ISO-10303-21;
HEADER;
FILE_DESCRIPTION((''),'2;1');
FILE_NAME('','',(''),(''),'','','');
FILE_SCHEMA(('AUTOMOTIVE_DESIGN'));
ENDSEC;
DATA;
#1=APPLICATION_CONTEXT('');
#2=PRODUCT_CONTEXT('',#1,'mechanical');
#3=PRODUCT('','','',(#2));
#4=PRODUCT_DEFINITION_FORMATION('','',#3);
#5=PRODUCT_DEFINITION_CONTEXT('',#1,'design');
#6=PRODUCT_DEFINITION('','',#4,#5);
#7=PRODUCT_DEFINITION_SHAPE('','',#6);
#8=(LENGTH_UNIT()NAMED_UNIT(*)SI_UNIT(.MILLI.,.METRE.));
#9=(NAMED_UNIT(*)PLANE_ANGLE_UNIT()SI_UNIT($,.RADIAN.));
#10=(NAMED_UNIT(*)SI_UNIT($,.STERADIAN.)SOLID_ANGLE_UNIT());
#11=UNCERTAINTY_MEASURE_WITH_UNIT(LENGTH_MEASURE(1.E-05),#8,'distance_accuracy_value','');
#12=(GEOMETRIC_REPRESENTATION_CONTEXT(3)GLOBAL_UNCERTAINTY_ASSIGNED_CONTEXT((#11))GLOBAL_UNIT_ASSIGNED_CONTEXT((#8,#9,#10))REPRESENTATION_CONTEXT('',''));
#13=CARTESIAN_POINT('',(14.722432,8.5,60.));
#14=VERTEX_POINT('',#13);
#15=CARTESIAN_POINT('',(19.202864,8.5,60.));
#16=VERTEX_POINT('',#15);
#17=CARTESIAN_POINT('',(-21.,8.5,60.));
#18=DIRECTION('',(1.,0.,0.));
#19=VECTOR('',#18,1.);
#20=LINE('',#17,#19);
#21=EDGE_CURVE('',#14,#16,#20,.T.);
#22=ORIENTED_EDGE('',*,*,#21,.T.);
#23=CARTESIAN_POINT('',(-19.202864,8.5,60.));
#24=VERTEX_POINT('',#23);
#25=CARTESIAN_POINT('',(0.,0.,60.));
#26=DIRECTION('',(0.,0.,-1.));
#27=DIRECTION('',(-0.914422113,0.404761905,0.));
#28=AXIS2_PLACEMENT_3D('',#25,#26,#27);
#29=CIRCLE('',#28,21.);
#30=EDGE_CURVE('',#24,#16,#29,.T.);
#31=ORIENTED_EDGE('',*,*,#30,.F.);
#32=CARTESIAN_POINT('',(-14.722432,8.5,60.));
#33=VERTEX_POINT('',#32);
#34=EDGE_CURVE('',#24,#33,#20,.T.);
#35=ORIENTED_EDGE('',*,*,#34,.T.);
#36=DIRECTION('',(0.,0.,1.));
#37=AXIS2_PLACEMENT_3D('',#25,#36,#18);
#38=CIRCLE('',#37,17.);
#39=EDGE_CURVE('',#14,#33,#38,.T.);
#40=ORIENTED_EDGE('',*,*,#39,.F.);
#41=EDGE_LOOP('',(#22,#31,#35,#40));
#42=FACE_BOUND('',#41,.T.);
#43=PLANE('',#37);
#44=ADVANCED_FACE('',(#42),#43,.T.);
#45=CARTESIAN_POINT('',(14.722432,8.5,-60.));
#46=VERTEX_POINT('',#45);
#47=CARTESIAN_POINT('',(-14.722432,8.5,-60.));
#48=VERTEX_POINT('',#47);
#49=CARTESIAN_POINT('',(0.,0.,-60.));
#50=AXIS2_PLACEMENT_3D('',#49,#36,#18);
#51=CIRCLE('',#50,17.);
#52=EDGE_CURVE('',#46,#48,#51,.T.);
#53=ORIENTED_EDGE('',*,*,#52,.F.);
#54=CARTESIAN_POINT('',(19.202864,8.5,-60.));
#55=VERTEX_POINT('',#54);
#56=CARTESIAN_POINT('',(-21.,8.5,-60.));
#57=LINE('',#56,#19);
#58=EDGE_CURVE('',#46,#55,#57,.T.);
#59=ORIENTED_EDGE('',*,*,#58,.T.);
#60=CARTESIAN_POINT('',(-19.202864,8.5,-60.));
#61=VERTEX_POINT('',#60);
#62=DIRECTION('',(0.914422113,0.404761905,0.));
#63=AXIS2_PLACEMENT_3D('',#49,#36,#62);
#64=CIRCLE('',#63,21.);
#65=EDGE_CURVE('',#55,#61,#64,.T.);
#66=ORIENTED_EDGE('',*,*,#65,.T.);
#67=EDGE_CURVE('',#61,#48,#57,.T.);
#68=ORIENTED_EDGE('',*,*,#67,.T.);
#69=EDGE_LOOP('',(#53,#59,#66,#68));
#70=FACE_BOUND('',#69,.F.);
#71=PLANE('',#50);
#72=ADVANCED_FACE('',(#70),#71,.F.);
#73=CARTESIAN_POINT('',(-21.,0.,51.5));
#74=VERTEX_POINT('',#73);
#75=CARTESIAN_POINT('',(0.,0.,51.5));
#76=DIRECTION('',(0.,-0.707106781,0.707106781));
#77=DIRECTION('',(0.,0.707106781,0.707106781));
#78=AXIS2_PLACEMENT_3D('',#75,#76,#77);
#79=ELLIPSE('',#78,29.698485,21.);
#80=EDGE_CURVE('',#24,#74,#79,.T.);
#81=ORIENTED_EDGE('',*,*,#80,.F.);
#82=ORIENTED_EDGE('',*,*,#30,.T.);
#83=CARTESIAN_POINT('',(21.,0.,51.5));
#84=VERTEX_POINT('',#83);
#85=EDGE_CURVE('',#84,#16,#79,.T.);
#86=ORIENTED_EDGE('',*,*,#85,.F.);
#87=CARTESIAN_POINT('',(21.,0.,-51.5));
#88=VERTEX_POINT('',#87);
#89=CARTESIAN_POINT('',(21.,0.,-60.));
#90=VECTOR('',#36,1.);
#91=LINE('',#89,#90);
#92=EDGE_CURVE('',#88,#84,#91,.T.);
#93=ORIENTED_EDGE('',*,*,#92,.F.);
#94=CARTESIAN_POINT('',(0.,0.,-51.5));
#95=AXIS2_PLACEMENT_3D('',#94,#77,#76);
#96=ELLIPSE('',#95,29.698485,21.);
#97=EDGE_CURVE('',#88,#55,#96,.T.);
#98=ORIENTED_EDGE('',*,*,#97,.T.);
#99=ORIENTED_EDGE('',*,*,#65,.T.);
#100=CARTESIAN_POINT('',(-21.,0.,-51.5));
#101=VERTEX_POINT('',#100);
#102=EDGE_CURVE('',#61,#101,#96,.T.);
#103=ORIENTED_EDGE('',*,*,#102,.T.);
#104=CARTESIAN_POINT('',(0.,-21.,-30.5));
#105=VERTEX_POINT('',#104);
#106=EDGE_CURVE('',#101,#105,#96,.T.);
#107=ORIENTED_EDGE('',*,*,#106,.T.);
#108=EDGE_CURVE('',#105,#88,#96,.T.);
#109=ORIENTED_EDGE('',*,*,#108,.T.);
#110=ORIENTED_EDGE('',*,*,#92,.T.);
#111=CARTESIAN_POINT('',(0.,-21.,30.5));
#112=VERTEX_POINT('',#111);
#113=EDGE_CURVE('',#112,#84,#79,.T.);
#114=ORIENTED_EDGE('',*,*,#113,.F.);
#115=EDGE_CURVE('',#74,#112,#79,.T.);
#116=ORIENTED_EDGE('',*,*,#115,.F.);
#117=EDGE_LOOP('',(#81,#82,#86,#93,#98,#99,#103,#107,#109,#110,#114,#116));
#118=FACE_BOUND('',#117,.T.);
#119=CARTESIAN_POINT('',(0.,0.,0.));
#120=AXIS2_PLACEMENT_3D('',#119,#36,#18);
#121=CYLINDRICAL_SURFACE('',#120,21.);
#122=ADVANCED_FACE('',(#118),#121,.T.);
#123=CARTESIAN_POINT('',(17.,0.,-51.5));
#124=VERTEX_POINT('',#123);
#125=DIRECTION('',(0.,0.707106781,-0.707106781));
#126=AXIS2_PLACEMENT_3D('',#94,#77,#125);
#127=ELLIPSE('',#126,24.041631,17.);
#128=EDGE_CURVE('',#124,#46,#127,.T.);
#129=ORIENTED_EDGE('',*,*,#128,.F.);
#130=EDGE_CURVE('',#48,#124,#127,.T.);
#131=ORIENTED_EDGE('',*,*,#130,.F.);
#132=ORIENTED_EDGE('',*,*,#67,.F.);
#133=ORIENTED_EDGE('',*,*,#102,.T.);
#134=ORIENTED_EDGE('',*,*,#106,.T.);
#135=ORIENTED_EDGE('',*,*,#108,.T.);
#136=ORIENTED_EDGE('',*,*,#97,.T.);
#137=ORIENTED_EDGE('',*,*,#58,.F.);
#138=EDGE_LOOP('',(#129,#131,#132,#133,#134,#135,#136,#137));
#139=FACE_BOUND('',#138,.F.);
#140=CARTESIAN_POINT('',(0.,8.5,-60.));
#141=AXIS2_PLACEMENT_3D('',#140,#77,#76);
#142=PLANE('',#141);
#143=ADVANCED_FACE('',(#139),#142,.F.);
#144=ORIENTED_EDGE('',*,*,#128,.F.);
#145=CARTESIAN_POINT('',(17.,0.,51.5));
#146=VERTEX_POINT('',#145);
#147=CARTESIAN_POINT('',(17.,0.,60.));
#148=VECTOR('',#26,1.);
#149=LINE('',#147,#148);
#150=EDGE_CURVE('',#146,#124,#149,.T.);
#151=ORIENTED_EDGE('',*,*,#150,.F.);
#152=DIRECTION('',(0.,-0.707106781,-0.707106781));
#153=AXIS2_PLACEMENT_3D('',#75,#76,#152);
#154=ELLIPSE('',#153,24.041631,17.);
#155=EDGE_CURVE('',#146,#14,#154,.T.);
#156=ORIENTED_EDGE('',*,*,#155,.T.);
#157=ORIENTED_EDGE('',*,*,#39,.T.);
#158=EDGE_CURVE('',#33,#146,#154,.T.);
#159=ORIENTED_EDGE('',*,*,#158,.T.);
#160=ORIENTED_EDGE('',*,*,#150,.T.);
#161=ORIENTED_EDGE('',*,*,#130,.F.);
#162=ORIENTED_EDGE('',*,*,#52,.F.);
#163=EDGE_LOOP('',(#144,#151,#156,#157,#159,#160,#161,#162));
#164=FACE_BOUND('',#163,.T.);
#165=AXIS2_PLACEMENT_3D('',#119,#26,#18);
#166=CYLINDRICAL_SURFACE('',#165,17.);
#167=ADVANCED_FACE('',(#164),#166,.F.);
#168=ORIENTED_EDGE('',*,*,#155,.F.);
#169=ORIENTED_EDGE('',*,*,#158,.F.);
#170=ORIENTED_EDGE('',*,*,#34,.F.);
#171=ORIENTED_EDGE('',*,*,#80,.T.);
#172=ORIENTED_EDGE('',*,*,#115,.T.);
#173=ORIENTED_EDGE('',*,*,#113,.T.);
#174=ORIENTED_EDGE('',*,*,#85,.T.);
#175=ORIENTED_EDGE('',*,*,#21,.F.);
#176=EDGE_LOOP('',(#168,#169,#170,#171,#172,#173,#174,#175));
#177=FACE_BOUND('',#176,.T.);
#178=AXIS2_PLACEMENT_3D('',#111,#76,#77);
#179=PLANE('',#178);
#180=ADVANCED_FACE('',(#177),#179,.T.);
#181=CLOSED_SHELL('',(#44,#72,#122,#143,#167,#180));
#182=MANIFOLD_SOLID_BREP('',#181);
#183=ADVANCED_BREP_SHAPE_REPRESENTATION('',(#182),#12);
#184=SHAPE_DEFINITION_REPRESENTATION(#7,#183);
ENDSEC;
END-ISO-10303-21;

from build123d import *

# Parameters (mm, degrees)
F0_R     = 21
F0_R_2   = 17
F1_DEPTH = 60
F3_DEPTH = 21


with BuildPart() as f1:
    # F0 (on Top) → F1 (new body, symmetric)
    with BuildSketch(Plane.XY):
        Circle(F0_R)
        Circle(F0_R_2, mode=Mode.SUBTRACT)
    extrude(amount=F1_DEPTH, both=True)

    # F2 (on Right) → F3 (cut, symmetric)
    with BuildSketch(Plane.YZ):
        Polygon((-21, 30.5), (8.5, 60), (21, 60), (21, 70), (-21, 70), align=None)
        Polygon((21, -60), (8.5, -60), (-21, -30.5), (-21, -70), (21, -70), align=None)
    extrude(amount=F3_DEPTH, both=True, mode=Mode.SUBTRACT)


solid = f1.part
